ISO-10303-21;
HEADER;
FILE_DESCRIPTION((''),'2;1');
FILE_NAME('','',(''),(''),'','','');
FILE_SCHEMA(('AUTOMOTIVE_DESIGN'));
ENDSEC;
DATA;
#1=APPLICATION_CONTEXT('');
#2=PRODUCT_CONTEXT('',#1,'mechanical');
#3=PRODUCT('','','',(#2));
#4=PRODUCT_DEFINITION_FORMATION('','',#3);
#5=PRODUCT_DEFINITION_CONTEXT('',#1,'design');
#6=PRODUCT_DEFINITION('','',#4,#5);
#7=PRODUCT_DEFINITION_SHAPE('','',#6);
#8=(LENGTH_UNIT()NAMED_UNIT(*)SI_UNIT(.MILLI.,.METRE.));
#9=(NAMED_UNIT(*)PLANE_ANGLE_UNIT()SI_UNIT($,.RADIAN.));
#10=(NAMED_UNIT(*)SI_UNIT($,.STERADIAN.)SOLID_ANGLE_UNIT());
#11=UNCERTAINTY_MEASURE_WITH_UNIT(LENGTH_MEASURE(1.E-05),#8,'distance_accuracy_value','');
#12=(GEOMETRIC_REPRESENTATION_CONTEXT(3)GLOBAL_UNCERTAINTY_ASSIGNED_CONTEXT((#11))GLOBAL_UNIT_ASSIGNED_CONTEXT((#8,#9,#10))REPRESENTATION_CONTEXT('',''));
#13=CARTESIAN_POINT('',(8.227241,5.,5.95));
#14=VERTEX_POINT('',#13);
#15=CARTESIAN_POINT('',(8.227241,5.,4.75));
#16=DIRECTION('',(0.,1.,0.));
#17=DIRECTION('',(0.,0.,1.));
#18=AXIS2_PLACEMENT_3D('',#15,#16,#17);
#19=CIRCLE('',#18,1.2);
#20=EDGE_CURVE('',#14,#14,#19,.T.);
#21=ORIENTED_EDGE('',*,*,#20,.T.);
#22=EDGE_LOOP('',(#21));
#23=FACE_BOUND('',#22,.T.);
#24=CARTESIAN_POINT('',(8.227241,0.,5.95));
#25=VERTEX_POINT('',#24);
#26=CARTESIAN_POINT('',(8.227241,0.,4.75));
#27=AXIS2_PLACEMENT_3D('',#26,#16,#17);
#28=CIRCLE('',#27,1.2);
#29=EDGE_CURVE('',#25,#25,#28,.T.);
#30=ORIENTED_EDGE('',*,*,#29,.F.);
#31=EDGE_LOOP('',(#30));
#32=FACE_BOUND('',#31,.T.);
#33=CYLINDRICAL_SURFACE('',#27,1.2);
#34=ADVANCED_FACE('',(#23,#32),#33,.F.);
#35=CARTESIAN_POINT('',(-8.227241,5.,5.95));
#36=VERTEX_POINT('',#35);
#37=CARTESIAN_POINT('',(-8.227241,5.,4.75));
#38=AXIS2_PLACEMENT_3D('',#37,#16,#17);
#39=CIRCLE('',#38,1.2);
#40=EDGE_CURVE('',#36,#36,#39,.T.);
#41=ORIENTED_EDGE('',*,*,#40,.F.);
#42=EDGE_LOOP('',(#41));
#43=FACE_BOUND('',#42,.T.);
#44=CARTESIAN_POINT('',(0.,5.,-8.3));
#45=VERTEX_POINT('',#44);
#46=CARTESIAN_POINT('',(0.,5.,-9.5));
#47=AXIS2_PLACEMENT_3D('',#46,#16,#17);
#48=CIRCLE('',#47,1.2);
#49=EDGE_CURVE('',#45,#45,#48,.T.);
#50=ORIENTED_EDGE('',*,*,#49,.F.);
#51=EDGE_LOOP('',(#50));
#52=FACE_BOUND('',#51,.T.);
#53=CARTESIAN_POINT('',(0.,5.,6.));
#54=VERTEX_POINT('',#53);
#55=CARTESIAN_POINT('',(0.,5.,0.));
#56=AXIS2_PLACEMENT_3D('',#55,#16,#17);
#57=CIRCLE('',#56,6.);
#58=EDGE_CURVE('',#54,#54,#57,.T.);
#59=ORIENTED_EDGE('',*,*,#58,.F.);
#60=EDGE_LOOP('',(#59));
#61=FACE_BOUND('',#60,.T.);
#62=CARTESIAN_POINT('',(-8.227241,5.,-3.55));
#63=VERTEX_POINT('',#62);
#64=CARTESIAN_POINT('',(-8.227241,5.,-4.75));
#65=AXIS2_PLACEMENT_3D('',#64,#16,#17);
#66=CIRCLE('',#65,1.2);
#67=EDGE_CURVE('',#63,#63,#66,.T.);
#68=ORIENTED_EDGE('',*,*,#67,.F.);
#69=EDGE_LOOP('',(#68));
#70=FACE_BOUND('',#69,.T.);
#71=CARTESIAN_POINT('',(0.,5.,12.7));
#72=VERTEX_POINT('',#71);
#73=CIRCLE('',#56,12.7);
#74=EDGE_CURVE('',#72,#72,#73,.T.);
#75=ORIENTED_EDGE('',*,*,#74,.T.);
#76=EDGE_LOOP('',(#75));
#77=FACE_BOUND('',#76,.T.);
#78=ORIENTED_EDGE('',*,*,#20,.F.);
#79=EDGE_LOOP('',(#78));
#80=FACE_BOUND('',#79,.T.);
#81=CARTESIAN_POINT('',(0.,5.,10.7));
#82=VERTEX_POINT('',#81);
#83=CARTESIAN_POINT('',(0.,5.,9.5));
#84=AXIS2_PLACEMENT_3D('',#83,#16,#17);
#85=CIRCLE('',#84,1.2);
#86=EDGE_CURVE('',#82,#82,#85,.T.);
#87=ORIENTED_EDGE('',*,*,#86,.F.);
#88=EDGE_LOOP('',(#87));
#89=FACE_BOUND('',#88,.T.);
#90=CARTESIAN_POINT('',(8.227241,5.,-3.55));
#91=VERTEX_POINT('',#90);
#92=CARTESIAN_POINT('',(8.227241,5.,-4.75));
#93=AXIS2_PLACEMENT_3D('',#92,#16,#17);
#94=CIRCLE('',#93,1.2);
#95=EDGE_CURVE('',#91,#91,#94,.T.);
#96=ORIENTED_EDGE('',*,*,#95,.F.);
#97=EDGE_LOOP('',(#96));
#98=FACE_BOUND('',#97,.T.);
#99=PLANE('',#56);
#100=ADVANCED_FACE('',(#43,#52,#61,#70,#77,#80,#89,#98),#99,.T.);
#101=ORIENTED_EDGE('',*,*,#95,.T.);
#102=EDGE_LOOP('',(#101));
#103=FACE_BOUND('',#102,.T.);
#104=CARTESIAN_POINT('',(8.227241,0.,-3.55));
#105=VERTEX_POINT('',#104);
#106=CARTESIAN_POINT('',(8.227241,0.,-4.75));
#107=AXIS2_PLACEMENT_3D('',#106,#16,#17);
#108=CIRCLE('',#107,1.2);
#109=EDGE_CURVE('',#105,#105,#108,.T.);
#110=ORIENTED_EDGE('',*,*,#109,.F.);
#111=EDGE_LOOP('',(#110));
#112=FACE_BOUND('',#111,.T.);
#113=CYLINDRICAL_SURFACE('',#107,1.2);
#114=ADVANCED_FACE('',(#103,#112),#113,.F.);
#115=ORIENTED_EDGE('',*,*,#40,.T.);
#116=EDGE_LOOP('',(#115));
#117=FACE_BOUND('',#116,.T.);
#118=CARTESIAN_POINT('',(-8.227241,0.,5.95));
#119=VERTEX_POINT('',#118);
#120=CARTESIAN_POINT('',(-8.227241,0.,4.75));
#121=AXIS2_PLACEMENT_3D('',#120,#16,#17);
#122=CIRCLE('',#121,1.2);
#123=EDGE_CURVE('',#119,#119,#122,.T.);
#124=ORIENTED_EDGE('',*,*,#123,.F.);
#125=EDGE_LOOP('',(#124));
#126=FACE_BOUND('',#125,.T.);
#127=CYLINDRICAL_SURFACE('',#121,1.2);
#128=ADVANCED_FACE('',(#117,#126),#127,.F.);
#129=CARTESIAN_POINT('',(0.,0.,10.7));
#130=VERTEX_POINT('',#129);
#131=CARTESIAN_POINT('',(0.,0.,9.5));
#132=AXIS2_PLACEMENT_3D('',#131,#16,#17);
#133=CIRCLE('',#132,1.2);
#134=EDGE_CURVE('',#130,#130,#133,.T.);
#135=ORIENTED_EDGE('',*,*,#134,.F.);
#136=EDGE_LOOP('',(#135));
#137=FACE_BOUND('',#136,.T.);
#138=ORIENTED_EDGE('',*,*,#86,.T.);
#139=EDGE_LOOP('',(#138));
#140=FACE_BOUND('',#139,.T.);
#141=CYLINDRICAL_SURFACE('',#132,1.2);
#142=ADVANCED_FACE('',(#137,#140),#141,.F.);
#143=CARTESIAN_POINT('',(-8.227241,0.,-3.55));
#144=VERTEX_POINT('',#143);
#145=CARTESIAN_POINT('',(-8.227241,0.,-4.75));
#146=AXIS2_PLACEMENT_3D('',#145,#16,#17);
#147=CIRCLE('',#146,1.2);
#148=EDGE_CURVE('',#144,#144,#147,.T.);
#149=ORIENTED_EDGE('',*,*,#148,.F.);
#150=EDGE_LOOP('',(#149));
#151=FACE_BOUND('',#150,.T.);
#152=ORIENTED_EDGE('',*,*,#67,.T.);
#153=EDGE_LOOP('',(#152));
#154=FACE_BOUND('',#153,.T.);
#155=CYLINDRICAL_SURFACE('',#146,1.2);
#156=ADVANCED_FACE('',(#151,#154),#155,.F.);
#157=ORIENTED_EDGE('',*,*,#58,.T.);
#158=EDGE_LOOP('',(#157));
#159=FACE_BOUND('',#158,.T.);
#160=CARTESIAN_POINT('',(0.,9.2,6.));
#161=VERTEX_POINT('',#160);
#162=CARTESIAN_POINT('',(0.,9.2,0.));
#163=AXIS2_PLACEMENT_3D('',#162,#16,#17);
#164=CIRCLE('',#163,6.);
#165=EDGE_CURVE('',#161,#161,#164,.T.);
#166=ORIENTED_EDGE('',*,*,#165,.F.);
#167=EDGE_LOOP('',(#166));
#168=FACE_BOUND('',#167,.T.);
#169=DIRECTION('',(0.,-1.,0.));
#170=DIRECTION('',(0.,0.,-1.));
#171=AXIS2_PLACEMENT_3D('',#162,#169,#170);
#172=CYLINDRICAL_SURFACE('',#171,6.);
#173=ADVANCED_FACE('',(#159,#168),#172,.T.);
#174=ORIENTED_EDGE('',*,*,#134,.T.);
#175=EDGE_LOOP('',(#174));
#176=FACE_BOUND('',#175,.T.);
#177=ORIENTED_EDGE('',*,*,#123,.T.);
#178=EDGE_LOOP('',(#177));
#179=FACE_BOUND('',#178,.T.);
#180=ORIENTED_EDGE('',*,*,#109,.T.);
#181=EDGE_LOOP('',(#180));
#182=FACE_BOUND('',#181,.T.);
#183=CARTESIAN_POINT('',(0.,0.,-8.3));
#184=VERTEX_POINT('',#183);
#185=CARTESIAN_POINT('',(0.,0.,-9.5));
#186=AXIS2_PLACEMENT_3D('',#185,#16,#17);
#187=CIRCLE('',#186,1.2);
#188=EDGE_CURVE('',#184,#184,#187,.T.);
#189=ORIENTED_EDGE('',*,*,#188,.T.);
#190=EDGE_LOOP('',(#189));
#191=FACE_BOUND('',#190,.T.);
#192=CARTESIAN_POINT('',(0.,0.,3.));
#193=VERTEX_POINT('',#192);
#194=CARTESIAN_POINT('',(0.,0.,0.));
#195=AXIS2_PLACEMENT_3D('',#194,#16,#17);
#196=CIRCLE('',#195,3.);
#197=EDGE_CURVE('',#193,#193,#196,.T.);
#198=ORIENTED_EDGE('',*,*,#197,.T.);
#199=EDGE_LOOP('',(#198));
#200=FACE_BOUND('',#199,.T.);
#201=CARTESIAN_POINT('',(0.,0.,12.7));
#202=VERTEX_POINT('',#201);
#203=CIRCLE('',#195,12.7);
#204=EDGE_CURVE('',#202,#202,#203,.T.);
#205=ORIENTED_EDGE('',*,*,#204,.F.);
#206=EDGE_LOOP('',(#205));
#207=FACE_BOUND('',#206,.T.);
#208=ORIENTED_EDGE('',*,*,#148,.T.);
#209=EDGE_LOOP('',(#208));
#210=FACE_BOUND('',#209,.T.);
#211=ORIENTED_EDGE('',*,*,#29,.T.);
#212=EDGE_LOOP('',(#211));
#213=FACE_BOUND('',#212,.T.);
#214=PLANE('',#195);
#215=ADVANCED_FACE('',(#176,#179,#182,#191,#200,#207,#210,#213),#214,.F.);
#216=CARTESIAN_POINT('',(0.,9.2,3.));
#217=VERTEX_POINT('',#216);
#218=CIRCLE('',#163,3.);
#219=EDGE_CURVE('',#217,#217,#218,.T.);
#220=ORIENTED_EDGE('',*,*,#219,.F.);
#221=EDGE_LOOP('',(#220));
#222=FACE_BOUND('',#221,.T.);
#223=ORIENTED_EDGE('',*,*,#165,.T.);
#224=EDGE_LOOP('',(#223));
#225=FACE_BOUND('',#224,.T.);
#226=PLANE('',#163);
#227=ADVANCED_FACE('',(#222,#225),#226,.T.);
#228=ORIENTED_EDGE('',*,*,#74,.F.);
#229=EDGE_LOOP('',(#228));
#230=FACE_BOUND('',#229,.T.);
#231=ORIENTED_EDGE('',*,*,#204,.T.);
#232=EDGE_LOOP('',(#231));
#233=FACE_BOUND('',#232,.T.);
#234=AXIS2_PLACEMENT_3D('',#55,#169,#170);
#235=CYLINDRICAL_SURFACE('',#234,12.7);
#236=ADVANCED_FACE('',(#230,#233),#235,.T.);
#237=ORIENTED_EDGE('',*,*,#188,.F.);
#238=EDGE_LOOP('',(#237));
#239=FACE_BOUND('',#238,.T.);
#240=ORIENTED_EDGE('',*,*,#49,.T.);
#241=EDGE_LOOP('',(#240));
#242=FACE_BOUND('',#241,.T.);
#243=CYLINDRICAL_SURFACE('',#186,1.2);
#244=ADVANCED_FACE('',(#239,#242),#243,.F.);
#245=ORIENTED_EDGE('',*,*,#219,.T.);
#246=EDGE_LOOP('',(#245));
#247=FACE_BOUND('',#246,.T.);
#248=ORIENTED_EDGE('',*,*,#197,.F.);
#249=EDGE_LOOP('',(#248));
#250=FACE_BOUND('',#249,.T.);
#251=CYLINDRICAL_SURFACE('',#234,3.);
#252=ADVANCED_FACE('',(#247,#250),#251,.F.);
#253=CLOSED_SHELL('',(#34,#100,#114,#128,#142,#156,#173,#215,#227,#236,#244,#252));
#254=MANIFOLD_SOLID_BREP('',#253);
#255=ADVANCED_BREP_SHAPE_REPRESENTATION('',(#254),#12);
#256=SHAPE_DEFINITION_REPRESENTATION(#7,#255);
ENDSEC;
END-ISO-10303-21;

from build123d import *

# Parameters (mm, degrees)
SKETCH1_R           = 12.7
SKETCH1_R_2         = 3
BOSS_EXTRUDE1_DEPTH = 5
SKETCH2_R           = 6
SKETCH2_R_2         = 3
BOSS_EXTRUDE2_DEPTH = 4.2
SKETCH3_R           = 1.2
CUT_EXTRUDE1_DEPTH  = 19.643497526


with BuildPart() as part:
    # Sketch1 → Boss-Extrude1 (new body)
    with BuildSketch(Plane(origin=(0, 0, 0), x_dir=(1, 0, 0), z_dir=(0, 1, 0))):
        with Locations(Location((0, 0, 0), (0, 0, 270))):
            Circle(SKETCH1_R)
        with Locations(Location((0, 0, 0), (0, 0, 270))):
            Circle(SKETCH1_R_2, mode=Mode.SUBTRACT)
    extrude(amount=BOSS_EXTRUDE1_DEPTH)

    # Sketch2 → Boss-Extrude2 (add)
    with BuildSketch(Plane(origin=(0, 5, 0), x_dir=(1, 0, 0), z_dir=(0, 1, 0))):
        with Locations(Location((0, 0, 0), (0, 0, 270))):
            Circle(SKETCH2_R)
        with Locations(Location((0, 0, 0), (0, 0, 270))):
            Circle(SKETCH2_R_2, mode=Mode.SUBTRACT)
    extrude(amount=BOSS_EXTRUDE2_DEPTH)

    # Sketch3 → Cut-Extrude1 (cut, through all)
    with BuildSketch(Plane(origin=(0, 5, 0), x_dir=(1, 0, 0), z_dir=(0, 1, 0))):
        with Locations(Location((0, 9.5, 0), (0, 0, 270))):
            Circle(SKETCH3_R)
        with Locations(Location((8.227241336, 4.75, 0), (0, 0, 270))):
            Circle(SKETCH3_R)
        with Locations(Location((8.227241336, -4.75, 0), (0, 0, 270))):
            Circle(SKETCH3_R)
        with Locations(Location((0, -9.5, 0), (0, 0, 270))):
            Circle(SKETCH3_R)
        with Locations(Location((-8.227241336, -4.75, 0), (0, 0, 270))):
            Circle(SKETCH3_R)
        with Locations(Location((-8.227241336, 4.75, 0), (0, 0, 270))):
            Circle(SKETCH3_R)
    extrude(amount=-CUT_EXTRUDE1_DEPTH, mode=Mode.SUBTRACT)


solid = part.part
